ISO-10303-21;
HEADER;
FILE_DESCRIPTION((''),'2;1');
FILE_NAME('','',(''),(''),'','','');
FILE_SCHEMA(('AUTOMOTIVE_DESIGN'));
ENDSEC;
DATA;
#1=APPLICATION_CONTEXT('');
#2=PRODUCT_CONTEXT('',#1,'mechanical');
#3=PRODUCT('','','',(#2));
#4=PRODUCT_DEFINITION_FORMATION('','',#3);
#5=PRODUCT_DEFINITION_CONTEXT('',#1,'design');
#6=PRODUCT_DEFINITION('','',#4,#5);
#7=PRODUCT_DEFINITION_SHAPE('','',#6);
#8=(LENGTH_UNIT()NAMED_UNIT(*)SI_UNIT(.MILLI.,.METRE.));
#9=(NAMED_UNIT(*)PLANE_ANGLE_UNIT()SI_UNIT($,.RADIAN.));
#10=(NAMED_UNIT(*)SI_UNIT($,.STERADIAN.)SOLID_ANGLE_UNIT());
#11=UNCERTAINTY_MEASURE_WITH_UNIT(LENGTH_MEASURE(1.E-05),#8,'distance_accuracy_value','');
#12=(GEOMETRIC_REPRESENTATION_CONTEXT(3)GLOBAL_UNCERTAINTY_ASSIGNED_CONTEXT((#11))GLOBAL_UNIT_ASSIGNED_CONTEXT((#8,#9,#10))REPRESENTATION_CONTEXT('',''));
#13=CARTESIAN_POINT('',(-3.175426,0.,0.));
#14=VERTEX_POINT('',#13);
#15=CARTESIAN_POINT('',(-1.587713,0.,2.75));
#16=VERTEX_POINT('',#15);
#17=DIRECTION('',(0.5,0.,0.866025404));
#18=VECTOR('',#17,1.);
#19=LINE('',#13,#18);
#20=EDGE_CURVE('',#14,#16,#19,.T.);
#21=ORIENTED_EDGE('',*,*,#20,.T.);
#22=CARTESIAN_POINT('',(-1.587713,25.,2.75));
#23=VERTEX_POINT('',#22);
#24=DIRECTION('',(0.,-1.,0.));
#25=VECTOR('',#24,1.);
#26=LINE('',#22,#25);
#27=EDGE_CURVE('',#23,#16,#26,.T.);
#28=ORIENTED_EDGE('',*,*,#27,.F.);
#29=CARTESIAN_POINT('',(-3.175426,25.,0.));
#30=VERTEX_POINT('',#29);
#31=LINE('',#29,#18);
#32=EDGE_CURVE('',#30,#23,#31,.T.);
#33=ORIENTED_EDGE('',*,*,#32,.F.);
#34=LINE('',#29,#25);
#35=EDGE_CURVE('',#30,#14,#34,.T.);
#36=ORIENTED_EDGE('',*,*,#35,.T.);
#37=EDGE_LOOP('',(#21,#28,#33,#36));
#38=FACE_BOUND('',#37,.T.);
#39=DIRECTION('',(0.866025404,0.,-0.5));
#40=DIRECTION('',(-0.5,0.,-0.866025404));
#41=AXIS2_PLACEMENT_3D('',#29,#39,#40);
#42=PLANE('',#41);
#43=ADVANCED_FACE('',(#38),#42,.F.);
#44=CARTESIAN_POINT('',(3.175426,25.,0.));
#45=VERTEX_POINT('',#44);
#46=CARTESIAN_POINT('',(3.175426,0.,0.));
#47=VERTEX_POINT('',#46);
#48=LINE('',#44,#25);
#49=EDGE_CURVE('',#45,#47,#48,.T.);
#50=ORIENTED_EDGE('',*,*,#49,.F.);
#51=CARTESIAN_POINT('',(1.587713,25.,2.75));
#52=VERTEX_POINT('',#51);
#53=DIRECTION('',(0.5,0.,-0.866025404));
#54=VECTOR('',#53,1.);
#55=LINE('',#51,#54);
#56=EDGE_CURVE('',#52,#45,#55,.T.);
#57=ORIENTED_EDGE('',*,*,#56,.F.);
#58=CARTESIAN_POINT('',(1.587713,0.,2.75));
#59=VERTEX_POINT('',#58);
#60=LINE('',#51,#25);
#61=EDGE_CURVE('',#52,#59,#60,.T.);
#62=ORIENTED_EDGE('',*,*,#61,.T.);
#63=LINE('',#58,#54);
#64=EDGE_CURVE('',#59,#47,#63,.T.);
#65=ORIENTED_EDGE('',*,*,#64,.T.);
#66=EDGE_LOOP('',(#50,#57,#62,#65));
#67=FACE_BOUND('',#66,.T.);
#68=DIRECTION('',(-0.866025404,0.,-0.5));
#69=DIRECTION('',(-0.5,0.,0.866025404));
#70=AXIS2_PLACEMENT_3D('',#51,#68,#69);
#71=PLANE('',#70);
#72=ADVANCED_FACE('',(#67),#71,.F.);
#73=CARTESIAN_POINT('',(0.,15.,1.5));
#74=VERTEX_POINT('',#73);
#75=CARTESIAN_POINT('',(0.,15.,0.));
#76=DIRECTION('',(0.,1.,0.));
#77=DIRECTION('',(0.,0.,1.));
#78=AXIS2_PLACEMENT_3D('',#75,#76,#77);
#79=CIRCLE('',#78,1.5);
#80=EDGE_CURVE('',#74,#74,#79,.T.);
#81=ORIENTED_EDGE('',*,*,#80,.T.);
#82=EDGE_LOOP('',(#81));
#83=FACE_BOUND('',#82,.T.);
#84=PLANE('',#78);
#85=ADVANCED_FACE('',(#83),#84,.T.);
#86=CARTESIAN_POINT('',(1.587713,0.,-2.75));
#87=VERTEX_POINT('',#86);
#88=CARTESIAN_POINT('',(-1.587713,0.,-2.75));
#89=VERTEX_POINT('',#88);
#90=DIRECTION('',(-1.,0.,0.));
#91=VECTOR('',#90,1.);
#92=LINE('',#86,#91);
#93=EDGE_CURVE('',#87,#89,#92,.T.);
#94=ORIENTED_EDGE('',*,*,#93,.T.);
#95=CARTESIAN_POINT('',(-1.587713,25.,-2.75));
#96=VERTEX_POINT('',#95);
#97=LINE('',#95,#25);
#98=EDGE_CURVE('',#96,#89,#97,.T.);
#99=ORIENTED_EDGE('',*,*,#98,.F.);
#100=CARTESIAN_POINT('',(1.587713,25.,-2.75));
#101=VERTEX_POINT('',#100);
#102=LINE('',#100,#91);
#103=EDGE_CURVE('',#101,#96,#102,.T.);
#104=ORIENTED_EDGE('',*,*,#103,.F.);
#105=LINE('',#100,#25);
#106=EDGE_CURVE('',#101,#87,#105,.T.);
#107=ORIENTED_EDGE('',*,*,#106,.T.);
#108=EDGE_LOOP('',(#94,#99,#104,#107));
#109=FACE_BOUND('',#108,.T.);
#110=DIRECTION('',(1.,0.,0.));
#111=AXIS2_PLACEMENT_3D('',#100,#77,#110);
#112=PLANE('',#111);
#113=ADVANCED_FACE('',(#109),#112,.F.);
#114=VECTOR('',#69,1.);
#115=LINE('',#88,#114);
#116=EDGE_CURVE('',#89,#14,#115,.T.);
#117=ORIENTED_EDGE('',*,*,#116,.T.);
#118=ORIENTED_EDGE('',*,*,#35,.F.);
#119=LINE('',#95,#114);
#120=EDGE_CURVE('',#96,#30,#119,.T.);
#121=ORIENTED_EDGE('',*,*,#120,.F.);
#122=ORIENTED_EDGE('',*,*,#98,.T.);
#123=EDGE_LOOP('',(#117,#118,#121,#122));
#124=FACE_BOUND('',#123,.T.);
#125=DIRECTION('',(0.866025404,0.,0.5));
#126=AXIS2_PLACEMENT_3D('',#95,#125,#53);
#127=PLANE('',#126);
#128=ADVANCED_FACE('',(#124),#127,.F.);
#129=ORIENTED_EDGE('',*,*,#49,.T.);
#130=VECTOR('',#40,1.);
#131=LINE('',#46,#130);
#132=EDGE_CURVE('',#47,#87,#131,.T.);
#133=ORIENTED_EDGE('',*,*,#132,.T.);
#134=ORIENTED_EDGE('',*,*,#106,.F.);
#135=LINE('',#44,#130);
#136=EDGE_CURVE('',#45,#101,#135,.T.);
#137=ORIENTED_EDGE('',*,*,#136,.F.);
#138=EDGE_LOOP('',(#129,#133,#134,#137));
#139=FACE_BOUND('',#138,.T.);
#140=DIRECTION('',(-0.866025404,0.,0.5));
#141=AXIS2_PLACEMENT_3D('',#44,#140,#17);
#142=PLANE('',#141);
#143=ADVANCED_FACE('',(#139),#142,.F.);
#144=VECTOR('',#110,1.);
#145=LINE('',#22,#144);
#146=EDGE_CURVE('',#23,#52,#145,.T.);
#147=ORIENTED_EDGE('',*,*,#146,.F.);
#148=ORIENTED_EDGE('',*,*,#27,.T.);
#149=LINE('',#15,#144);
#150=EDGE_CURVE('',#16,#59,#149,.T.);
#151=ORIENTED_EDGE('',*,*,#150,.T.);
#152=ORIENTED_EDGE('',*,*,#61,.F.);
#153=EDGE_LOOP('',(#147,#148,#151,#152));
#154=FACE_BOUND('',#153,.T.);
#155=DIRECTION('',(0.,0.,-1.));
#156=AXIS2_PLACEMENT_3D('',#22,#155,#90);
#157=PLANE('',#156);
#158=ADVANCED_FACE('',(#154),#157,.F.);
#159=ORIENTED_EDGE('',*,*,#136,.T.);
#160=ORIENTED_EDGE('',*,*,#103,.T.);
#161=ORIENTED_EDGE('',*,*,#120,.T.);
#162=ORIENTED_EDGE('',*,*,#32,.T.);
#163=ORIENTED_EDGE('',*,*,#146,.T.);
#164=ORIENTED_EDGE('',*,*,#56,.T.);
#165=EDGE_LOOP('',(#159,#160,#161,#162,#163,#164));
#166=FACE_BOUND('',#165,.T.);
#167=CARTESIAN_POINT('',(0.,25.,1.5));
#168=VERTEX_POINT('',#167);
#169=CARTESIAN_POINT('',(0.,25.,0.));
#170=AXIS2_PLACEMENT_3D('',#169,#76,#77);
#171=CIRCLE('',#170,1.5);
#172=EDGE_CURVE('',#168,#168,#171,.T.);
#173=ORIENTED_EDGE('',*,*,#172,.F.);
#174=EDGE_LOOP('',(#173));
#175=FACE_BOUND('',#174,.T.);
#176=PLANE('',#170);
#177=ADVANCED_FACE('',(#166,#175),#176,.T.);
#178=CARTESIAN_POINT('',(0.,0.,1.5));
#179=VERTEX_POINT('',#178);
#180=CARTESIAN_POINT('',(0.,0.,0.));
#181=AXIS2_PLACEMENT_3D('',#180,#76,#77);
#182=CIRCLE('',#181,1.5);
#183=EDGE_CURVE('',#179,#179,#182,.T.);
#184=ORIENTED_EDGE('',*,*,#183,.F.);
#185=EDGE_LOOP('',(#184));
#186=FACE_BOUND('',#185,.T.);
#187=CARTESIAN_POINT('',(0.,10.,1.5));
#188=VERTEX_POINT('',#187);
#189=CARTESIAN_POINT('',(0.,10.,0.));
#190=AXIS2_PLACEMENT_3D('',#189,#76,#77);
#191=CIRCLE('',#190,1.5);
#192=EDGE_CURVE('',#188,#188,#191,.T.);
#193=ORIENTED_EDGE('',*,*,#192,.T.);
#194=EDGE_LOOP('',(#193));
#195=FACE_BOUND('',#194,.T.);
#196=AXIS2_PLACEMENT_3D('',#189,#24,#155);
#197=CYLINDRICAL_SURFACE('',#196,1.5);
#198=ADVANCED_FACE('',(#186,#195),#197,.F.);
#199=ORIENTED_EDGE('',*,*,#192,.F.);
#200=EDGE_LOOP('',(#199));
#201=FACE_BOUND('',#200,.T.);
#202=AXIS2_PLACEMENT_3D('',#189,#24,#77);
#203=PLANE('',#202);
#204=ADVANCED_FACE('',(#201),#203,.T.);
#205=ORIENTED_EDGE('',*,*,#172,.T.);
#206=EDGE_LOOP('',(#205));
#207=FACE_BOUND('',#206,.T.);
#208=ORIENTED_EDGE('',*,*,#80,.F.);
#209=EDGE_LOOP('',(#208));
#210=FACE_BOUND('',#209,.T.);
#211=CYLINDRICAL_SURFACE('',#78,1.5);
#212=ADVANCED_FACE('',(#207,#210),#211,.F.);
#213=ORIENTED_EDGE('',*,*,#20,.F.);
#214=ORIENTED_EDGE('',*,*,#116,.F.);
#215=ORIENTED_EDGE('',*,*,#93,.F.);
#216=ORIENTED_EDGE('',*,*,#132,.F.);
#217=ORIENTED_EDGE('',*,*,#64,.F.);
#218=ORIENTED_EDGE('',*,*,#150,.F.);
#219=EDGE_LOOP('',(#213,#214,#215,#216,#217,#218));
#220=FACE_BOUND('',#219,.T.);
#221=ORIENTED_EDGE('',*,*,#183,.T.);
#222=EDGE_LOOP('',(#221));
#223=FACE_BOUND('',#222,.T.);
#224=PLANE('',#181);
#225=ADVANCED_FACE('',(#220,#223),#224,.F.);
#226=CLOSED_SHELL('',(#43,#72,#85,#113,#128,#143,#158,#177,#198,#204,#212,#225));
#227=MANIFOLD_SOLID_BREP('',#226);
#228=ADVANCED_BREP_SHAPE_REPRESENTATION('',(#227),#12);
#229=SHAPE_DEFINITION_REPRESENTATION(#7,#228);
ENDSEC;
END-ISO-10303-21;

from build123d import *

# Parameters (mm, degrees)
BOSS_EXTRUDE1_DEPTH = 25
SKETCH2_R           = 1.5
CUT_EXTRUDE1_DEPTH  = 10


with BuildPart() as part:
    # Sketch1 → Boss-Extrude1 (new body)
    with BuildSketch(Plane(origin=(0, 0, 0), x_dir=(1, 0, 0), z_dir=(0, 1, 0))):
        Polygon((3.175426481, 0), (1.58771324, 2.75), (-1.58771324, 2.75), (-3.175426481, 0), (-1.58771324, -2.75), (1.58771324, -2.75), align=None)
    extrude(amount=BOSS_EXTRUDE1_DEPTH)

    # Sketch2 → Cut-Extrude1 (cut)
    with BuildSketch(Plane(origin=(0, 25, 0), x_dir=(1, 0, 0), z_dir=(0, 1, 0))):
        with Locations(Location((0, 0, 0), (0, 0, 270))):
            Circle(SKETCH2_R)
    cut_extrude1 = extrude(amount=-CUT_EXTRUDE1_DEPTH, mode=Mode.SUBTRACT)

    # Mirror1: Cut-Extrude1 across plane
    add(cut_extrude1.mirror(Plane(origin=(0, 12.5, 0), x_dir=(0, 0, 1), z_dir=(0, -1, 0))), mode=Mode.SUBTRACT)


solid = part.part
